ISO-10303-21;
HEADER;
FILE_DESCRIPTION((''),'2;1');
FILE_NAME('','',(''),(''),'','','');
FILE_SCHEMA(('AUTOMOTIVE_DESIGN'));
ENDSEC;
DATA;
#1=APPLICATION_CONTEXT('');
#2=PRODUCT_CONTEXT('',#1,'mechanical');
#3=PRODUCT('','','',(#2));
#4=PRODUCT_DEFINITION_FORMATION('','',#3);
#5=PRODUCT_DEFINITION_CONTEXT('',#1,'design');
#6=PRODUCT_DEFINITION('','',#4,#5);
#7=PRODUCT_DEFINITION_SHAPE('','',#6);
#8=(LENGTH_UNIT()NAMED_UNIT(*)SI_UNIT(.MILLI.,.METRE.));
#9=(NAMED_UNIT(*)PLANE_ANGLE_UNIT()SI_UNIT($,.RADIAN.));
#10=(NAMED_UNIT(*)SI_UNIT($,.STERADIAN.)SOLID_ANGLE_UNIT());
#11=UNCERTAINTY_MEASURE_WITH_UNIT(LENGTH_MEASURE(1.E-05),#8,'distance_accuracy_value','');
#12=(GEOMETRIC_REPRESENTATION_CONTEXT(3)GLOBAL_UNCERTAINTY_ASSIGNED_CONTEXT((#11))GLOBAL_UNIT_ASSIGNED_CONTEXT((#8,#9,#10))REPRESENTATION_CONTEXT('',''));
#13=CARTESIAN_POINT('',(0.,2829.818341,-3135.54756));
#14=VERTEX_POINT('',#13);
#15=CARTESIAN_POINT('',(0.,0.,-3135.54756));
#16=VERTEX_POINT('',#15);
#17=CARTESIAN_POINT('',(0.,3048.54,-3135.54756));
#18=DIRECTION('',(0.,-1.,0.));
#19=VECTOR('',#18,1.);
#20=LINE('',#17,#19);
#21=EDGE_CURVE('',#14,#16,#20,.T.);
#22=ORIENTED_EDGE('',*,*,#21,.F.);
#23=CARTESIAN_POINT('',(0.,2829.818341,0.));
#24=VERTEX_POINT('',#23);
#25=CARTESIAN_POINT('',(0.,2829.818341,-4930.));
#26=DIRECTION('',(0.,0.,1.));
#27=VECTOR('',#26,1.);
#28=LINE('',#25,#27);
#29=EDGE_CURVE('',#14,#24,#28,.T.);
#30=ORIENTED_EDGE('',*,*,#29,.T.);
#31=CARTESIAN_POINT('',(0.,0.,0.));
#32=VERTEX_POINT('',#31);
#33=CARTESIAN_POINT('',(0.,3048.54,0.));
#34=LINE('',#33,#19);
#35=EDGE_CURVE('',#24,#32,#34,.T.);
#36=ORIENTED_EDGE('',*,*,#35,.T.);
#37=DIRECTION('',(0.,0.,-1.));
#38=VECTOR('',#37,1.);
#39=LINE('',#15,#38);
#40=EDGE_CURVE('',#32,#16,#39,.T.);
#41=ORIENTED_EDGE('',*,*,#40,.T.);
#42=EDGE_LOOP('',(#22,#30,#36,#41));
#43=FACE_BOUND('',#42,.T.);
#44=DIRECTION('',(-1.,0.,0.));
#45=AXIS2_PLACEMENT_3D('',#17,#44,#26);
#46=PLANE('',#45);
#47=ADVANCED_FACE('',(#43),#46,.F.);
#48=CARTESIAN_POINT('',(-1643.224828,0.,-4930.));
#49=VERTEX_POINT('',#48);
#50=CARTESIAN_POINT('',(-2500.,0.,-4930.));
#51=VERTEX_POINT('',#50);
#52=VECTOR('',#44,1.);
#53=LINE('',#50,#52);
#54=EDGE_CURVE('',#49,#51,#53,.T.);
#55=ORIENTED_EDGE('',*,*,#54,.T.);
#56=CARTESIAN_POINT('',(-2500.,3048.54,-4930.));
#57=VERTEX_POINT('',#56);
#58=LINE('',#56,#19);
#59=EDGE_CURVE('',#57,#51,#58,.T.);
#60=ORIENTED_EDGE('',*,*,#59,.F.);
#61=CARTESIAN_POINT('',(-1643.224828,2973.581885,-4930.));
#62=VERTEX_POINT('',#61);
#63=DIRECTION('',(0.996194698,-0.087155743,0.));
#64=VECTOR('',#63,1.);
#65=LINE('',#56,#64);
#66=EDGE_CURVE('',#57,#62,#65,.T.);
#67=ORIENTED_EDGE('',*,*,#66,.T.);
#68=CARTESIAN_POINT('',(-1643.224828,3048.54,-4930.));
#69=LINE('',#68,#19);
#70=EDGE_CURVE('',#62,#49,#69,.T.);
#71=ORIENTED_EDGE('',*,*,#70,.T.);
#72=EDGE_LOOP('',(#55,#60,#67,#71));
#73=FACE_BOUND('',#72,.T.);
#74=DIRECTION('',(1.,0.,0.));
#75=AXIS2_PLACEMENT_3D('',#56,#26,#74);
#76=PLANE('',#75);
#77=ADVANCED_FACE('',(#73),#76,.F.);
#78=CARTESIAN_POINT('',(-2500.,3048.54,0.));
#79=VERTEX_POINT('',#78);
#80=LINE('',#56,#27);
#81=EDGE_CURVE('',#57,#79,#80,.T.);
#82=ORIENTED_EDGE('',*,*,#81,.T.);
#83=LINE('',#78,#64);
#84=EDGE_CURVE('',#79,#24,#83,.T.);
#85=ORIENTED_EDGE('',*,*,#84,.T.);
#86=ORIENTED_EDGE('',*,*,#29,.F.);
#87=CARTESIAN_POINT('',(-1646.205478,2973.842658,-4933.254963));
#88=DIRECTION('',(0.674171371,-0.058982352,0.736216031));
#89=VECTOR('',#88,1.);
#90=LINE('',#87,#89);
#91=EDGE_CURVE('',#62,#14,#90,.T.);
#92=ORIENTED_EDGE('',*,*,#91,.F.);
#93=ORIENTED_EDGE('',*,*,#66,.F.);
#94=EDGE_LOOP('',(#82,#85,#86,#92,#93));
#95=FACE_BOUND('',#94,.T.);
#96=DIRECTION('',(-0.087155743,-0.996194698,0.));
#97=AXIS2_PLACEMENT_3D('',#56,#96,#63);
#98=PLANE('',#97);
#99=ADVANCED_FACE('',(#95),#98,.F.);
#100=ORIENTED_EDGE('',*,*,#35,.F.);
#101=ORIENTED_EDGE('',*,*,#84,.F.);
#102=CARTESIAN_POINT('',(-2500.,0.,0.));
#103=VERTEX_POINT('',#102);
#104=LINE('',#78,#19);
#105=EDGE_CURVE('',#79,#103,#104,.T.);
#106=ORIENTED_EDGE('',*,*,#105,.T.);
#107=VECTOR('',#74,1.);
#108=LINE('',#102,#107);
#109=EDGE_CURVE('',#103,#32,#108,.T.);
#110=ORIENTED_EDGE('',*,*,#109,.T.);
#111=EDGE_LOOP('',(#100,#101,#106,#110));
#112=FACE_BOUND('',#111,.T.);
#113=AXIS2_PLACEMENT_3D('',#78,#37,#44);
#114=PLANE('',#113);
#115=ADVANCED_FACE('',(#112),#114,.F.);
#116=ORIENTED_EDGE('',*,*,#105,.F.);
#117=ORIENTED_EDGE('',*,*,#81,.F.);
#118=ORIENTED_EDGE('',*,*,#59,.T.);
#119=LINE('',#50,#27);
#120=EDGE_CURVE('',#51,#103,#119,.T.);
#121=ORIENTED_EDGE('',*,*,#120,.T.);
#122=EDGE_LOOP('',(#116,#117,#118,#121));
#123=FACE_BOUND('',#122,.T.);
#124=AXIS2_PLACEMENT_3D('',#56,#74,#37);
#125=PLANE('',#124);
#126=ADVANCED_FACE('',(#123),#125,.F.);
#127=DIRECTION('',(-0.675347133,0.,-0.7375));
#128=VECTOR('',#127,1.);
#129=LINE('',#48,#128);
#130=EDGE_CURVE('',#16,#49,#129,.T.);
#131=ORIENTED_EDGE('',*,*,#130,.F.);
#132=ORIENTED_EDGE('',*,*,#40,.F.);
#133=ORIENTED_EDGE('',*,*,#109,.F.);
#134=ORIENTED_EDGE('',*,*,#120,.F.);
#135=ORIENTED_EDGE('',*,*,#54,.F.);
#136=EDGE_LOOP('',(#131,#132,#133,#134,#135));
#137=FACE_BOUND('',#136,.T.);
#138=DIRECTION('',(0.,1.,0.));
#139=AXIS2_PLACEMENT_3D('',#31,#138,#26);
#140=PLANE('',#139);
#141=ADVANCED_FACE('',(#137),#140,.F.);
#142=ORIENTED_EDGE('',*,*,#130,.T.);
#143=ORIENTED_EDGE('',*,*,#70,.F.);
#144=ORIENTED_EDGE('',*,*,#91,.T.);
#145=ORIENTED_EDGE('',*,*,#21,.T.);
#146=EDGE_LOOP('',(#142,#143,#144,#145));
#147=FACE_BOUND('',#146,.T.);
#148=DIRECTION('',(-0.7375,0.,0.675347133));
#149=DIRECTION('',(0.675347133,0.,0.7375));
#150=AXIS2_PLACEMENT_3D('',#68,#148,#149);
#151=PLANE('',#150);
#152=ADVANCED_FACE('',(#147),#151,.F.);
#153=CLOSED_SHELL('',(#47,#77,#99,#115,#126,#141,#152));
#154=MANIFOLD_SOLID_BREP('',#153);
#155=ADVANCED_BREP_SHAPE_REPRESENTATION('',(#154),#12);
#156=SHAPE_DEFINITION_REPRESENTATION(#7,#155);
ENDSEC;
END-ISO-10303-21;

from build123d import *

# Parameters (mm, degrees)
AUFSATZ_LINEAR_AUSTRAGEN1_DEPTH = 3048.54
SCHNITT_LINEAR_AUSTRAGEN1_DEPTH = 4931


with BuildPart() as part:
    # Skizze1 → Aufsatz-Linear austragen1 (new body)
    with BuildSketch(Plane(origin=(0, 0, 0), x_dir=(1, 0, 0), z_dir=(0, 1, 0))):
        Polygon((-2500, 4930), (-2500, 0), (0, 0), (0, 3135.547559896), (-1643.224828015, 4930), align=None)
    extrude(amount=AUFSATZ_LINEAR_AUSTRAGEN1_DEPTH)

    # Skizze2 → Schnitt-Linear austragen1 (cut, through all)
    with BuildSketch(Plane.XY):
        Polygon((-2500, 3048.54), (0, 2829.818341185), (0, 3048.54), align=None)
    extrude(amount=-SCHNITT_LINEAR_AUSTRAGEN1_DEPTH, mode=Mode.SUBTRACT)


solid = part.part
